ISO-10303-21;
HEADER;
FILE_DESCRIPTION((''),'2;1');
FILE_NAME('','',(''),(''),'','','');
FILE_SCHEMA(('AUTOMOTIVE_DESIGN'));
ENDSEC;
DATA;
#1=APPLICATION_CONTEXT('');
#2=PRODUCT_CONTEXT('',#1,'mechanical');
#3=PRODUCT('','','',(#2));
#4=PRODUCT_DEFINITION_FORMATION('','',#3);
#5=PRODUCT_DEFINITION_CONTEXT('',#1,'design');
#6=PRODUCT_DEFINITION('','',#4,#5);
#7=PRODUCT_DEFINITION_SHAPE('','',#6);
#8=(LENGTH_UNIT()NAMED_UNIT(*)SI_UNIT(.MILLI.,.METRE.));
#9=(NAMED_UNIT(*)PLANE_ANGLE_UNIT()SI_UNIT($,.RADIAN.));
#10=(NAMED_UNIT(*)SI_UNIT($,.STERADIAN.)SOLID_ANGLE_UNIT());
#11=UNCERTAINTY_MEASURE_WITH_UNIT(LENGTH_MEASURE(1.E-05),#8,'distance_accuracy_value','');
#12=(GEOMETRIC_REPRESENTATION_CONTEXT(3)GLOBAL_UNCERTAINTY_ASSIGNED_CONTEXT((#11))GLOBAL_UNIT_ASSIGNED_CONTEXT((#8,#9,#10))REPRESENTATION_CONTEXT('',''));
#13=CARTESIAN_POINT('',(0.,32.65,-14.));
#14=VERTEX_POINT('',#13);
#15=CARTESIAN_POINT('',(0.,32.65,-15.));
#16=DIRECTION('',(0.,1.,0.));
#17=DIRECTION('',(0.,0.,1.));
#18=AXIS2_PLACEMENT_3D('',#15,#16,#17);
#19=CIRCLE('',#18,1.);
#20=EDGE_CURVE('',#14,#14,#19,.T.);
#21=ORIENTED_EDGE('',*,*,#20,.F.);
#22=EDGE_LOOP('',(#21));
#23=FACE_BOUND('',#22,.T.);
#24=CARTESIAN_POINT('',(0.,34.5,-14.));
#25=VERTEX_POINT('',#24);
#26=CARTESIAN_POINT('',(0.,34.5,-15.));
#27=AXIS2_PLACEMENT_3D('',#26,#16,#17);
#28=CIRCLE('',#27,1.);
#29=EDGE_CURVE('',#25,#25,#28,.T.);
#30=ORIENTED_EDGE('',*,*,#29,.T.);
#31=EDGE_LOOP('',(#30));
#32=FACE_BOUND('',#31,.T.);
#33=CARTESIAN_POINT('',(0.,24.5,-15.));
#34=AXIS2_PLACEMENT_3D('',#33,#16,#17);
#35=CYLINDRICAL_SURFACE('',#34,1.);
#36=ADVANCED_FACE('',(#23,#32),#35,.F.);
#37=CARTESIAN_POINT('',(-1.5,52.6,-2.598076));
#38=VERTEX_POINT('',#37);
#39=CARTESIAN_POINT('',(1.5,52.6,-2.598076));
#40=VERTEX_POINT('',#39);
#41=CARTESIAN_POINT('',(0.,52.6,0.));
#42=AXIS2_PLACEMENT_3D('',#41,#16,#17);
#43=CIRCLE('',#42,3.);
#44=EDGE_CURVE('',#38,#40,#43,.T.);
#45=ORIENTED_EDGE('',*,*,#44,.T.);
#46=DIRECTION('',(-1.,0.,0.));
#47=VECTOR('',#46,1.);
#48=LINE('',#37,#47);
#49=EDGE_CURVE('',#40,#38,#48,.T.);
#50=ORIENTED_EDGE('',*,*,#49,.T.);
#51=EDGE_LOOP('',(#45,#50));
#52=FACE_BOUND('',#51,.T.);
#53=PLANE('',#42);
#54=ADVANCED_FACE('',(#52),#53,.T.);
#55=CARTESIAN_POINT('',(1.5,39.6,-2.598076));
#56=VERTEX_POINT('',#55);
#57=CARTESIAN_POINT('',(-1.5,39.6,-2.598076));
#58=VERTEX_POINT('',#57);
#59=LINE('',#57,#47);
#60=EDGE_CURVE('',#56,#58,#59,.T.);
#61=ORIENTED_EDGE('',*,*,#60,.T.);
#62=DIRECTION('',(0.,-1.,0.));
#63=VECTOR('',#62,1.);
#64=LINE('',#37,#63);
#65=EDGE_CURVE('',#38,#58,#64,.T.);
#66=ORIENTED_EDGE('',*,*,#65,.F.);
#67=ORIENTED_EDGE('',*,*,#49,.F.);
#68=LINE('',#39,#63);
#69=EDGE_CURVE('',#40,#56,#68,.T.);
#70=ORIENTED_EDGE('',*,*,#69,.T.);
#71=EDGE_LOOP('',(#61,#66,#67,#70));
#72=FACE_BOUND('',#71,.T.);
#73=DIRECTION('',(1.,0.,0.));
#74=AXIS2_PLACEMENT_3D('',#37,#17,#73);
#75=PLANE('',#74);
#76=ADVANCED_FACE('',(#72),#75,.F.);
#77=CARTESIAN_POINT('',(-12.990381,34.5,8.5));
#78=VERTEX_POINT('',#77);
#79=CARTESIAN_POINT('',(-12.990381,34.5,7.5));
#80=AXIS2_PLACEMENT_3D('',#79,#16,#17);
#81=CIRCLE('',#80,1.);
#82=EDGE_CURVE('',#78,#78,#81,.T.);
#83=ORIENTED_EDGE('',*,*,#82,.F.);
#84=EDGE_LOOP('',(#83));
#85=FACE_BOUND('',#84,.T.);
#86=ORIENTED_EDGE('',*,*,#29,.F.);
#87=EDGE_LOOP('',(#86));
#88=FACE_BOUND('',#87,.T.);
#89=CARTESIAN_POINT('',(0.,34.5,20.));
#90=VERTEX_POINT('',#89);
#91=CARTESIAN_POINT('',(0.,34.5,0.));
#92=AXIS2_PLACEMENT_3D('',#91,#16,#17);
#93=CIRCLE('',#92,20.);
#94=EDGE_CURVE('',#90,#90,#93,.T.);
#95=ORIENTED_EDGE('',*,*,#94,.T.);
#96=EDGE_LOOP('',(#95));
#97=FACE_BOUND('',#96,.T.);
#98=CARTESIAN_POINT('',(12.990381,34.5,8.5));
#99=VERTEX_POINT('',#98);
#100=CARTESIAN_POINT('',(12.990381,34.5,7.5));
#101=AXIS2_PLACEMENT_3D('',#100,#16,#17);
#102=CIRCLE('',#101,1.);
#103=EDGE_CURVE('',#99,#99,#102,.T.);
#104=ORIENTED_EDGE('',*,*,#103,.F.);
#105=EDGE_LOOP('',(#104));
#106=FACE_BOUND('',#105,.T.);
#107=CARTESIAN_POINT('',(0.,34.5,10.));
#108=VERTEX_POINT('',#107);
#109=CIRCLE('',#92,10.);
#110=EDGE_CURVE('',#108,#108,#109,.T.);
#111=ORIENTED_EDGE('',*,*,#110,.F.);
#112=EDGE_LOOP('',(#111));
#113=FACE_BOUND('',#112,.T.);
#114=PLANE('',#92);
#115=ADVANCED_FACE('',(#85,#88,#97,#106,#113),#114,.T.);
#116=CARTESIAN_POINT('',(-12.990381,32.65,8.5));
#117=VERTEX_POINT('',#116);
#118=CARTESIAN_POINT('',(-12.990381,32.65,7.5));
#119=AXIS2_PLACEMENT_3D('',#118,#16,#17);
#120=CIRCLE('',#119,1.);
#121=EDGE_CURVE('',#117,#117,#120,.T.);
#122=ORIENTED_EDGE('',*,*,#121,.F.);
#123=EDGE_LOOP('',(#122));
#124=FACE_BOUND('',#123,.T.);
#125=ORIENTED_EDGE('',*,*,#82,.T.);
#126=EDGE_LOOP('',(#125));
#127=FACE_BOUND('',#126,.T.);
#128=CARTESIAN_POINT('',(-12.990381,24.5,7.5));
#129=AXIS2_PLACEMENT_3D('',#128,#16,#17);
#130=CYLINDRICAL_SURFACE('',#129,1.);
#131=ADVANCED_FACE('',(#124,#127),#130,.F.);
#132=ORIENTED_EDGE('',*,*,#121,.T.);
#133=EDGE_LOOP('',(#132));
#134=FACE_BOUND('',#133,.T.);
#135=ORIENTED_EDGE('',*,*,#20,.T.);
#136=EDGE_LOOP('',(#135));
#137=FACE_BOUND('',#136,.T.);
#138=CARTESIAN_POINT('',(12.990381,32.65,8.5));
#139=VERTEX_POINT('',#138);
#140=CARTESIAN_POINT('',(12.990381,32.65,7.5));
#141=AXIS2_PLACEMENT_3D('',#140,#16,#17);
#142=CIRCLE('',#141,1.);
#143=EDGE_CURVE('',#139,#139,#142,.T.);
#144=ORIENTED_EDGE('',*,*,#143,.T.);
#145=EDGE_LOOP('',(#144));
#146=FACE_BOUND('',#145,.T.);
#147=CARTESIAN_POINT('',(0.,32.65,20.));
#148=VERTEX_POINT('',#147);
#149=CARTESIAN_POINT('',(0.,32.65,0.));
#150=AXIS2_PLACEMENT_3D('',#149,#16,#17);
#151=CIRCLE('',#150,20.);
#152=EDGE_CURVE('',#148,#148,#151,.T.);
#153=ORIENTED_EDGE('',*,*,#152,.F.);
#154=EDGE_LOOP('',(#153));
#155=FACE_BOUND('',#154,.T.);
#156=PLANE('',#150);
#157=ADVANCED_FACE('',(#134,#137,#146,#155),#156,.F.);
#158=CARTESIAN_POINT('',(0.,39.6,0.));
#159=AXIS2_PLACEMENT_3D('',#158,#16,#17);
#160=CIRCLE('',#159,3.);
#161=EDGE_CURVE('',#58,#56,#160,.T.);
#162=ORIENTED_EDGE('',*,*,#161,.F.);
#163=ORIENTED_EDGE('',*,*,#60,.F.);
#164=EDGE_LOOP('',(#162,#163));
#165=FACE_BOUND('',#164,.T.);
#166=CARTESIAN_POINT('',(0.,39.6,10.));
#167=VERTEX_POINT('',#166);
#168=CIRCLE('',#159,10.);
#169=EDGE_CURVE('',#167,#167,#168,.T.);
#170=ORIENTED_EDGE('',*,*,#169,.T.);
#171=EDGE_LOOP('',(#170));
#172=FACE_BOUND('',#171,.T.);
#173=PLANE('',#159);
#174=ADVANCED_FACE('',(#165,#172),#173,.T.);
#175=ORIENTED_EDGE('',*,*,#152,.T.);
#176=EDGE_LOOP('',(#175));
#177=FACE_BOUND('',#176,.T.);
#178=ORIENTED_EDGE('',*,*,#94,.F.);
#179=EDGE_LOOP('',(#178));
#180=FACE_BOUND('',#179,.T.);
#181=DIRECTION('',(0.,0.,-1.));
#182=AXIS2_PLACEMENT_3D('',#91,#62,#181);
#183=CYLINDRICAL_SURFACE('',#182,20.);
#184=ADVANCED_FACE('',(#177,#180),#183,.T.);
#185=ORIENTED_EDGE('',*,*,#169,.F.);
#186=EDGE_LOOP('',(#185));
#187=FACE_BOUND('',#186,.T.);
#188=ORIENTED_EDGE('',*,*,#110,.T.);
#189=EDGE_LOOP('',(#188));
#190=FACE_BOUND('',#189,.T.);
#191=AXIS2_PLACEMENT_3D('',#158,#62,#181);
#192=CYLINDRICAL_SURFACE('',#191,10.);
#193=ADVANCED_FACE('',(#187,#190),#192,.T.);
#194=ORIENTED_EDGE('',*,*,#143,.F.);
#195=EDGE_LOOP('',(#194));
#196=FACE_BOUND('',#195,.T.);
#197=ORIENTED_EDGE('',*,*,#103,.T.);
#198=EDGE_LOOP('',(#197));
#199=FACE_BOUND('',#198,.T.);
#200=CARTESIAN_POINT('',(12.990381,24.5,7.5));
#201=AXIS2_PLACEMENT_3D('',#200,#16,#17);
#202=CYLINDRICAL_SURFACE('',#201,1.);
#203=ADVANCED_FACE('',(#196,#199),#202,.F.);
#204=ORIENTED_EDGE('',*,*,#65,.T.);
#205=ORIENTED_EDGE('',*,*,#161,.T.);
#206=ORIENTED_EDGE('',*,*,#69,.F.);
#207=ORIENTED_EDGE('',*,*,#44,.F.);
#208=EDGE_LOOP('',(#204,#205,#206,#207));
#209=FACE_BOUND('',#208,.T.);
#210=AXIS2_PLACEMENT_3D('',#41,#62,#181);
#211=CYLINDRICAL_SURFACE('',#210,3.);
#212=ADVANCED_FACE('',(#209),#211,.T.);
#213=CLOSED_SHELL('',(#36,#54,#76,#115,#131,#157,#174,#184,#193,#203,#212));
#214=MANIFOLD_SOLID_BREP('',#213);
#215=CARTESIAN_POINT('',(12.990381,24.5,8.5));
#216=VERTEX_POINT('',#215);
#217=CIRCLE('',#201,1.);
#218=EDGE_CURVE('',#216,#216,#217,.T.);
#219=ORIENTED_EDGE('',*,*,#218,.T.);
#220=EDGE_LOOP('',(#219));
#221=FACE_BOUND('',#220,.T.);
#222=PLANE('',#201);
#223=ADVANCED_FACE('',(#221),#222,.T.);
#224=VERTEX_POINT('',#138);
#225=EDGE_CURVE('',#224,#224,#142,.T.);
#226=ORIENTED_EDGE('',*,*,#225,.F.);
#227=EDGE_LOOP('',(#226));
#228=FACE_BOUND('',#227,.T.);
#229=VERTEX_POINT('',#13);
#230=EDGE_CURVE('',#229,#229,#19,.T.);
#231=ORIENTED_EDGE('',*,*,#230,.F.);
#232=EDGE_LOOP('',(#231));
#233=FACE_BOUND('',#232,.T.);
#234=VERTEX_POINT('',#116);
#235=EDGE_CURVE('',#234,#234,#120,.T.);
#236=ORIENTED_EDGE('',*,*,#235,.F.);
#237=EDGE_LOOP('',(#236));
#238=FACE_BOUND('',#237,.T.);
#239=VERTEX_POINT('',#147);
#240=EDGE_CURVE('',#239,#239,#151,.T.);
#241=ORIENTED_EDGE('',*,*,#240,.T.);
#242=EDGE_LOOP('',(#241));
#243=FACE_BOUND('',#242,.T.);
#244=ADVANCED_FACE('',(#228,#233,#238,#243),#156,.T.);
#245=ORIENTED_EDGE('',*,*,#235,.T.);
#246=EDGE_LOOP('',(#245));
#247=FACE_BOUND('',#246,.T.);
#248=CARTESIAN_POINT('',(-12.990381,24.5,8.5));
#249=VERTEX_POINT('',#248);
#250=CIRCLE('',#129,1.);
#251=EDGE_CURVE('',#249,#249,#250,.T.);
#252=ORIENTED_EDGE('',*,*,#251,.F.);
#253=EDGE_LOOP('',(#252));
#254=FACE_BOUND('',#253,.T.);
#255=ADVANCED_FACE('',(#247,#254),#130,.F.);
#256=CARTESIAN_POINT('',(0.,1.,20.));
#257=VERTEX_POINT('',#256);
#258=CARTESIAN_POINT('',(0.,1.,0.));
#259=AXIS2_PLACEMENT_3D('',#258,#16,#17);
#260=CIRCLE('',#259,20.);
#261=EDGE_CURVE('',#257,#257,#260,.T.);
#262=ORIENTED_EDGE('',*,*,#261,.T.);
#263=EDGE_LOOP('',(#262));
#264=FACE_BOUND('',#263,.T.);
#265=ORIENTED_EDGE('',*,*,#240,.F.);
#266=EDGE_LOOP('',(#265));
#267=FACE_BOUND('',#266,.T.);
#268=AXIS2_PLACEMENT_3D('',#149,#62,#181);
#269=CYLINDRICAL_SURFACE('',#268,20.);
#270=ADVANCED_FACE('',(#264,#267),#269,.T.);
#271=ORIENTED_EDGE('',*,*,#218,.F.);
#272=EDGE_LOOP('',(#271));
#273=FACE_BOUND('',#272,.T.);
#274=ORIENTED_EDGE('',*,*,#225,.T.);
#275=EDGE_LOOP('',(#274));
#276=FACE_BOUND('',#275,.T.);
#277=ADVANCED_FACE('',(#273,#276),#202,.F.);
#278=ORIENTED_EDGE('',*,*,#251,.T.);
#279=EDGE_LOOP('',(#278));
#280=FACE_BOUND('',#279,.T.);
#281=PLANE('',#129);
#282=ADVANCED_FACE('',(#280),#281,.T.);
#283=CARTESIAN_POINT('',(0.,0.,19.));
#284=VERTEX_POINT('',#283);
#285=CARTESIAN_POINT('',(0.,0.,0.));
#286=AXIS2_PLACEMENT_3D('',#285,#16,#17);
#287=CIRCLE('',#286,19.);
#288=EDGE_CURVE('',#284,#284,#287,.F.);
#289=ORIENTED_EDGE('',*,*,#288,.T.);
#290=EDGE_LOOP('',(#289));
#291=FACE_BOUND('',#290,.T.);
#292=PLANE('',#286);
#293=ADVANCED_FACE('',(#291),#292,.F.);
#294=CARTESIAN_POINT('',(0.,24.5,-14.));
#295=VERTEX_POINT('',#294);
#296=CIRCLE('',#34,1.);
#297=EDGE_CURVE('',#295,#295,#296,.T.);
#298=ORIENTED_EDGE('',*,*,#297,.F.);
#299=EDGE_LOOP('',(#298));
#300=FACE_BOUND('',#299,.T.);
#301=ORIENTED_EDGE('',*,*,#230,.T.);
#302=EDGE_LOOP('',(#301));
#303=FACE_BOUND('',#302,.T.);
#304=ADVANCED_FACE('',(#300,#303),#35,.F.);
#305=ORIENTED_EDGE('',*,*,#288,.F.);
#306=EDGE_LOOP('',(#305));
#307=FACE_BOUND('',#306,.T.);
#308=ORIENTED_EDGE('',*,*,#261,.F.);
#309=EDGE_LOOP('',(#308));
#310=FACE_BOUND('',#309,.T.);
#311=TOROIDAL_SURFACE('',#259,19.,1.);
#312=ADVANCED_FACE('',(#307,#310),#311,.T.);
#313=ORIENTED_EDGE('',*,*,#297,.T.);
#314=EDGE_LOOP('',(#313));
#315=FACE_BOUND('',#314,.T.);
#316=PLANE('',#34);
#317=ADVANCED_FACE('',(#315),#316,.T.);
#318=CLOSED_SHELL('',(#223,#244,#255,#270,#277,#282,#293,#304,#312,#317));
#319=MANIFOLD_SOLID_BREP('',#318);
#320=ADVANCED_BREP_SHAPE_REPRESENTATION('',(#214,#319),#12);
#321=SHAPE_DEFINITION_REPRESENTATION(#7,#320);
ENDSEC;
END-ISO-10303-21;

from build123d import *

# Parameters (mm, degrees)
IZIM1_R                     = 20
Y_KSEKLIK_EKSTR_ZYON1_DEPTH = 32.65
IZIM2_R                     = 20
Y_KSEKLIK_EKSTR_ZYON2_DEPTH = 1.85
IZIM3_R                     = 10
Y_KSEKLIK_EKSTR_ZYON3_DEPTH = 5.1
IZIM4_R                     = 1
KES_EKSTR_ZYON1_DEPTH       = 10
RADYUS1_R                   = 1
Y_KSEKLIK_EKSTR_ZYON4_DEPTH = 13


with BuildPart() as part:
    # Çizim1 → Yükseklik-Ekstrüzyon1 (new body)
    with BuildSketch(Plane(origin=(0, 0, 0), x_dir=(1, 0, 0), z_dir=(0, 1, 0))):
        with Locations(Location((0, 0, 0), (0, 0, 270))):
            Circle(IZIM1_R)
    extrude(amount=Y_KSEKLIK_EKSTR_ZYON1_DEPTH)


with BuildPart() as body_2:
    # Çizim2 → Yükseklik-Ekstrüzyon2 (new body)
    with BuildSketch(Plane(origin=(0, 32.65, 0), x_dir=(1, 0, 0), z_dir=(0, 1, 0))):
        with Locations(Location((0, 0, 0), (0, 0, 270))):
            Circle(IZIM2_R)
    extrude(amount=Y_KSEKLIK_EKSTR_ZYON2_DEPTH)

    # Çizim3 → Yükseklik-Ekstrüzyon3 (add)
    with BuildSketch(Plane(origin=(0, 34.5, 0), x_dir=(1, 0, 0), z_dir=(0, 1, 0))):
        with Locations(Location((0, 0, 0), (0, 0, 270))):
            Circle(IZIM3_R)
    extrude(amount=Y_KSEKLIK_EKSTR_ZYON3_DEPTH)


with BuildPart() as kes_ekstr_zyon1_tool:
    # Çizim4 → Kes-Ekstrüzyon1 (new body)
    with BuildSketch(Plane(origin=(0, 34.5, 0), x_dir=(1, 0, 0), z_dir=(0, 1, 0))):
        with Locations(Location((0, 15, 0), (0, 0, 270))):
            Circle(IZIM4_R)
        with Locations(Location((12.990381057, -7.5, 0), (0, 0, 270))):
            Circle(IZIM4_R)
        with Locations(Location((-12.990381057, -7.5, 0), (0, 0, 270))):
            Circle(IZIM4_R)
    extrude(amount=-KES_EKSTR_ZYON1_DEPTH)


with BuildPart() as part_1:
    add(part.part)

    # Kes-Ekstrüzyon1: cut by kes_ekstr_zyon1_tool
    add(kes_ekstr_zyon1_tool.part, mode=Mode.SUBTRACT)

    # Radyus1
    radyus1_edges = [part_1.edges().sort_by_distance(p)[0] for p in [
        (0, 0, -20),
    ]]
    fillet(radyus1_edges, radius=RADYUS1_R)


with BuildPart() as body_2_1:
    add(body_2.part)

    # Kes-Ekstrüzyon1: cut by kes_ekstr_zyon1_tool
    add(kes_ekstr_zyon1_tool.part, mode=Mode.SUBTRACT)

    # Çizim5 → Yükseklik-Ekstrüzyon4 (add)
    with BuildSketch(Plane(origin=(0, 39.6, 0), x_dir=(1, 0, 0), z_dir=(0, 1, 0))):
        with BuildLine():
            Line((-1.5, 2.598076211), (1.5, 2.598076211))
            ThreePointArc((1.5, 2.598076211), (0, -3), (-1.5, 2.598076211))
        make_face()
    extrude(amount=Y_KSEKLIK_EKSTR_ZYON4_DEPTH)


solid = Compound([part_1.part, body_2_1.part])
